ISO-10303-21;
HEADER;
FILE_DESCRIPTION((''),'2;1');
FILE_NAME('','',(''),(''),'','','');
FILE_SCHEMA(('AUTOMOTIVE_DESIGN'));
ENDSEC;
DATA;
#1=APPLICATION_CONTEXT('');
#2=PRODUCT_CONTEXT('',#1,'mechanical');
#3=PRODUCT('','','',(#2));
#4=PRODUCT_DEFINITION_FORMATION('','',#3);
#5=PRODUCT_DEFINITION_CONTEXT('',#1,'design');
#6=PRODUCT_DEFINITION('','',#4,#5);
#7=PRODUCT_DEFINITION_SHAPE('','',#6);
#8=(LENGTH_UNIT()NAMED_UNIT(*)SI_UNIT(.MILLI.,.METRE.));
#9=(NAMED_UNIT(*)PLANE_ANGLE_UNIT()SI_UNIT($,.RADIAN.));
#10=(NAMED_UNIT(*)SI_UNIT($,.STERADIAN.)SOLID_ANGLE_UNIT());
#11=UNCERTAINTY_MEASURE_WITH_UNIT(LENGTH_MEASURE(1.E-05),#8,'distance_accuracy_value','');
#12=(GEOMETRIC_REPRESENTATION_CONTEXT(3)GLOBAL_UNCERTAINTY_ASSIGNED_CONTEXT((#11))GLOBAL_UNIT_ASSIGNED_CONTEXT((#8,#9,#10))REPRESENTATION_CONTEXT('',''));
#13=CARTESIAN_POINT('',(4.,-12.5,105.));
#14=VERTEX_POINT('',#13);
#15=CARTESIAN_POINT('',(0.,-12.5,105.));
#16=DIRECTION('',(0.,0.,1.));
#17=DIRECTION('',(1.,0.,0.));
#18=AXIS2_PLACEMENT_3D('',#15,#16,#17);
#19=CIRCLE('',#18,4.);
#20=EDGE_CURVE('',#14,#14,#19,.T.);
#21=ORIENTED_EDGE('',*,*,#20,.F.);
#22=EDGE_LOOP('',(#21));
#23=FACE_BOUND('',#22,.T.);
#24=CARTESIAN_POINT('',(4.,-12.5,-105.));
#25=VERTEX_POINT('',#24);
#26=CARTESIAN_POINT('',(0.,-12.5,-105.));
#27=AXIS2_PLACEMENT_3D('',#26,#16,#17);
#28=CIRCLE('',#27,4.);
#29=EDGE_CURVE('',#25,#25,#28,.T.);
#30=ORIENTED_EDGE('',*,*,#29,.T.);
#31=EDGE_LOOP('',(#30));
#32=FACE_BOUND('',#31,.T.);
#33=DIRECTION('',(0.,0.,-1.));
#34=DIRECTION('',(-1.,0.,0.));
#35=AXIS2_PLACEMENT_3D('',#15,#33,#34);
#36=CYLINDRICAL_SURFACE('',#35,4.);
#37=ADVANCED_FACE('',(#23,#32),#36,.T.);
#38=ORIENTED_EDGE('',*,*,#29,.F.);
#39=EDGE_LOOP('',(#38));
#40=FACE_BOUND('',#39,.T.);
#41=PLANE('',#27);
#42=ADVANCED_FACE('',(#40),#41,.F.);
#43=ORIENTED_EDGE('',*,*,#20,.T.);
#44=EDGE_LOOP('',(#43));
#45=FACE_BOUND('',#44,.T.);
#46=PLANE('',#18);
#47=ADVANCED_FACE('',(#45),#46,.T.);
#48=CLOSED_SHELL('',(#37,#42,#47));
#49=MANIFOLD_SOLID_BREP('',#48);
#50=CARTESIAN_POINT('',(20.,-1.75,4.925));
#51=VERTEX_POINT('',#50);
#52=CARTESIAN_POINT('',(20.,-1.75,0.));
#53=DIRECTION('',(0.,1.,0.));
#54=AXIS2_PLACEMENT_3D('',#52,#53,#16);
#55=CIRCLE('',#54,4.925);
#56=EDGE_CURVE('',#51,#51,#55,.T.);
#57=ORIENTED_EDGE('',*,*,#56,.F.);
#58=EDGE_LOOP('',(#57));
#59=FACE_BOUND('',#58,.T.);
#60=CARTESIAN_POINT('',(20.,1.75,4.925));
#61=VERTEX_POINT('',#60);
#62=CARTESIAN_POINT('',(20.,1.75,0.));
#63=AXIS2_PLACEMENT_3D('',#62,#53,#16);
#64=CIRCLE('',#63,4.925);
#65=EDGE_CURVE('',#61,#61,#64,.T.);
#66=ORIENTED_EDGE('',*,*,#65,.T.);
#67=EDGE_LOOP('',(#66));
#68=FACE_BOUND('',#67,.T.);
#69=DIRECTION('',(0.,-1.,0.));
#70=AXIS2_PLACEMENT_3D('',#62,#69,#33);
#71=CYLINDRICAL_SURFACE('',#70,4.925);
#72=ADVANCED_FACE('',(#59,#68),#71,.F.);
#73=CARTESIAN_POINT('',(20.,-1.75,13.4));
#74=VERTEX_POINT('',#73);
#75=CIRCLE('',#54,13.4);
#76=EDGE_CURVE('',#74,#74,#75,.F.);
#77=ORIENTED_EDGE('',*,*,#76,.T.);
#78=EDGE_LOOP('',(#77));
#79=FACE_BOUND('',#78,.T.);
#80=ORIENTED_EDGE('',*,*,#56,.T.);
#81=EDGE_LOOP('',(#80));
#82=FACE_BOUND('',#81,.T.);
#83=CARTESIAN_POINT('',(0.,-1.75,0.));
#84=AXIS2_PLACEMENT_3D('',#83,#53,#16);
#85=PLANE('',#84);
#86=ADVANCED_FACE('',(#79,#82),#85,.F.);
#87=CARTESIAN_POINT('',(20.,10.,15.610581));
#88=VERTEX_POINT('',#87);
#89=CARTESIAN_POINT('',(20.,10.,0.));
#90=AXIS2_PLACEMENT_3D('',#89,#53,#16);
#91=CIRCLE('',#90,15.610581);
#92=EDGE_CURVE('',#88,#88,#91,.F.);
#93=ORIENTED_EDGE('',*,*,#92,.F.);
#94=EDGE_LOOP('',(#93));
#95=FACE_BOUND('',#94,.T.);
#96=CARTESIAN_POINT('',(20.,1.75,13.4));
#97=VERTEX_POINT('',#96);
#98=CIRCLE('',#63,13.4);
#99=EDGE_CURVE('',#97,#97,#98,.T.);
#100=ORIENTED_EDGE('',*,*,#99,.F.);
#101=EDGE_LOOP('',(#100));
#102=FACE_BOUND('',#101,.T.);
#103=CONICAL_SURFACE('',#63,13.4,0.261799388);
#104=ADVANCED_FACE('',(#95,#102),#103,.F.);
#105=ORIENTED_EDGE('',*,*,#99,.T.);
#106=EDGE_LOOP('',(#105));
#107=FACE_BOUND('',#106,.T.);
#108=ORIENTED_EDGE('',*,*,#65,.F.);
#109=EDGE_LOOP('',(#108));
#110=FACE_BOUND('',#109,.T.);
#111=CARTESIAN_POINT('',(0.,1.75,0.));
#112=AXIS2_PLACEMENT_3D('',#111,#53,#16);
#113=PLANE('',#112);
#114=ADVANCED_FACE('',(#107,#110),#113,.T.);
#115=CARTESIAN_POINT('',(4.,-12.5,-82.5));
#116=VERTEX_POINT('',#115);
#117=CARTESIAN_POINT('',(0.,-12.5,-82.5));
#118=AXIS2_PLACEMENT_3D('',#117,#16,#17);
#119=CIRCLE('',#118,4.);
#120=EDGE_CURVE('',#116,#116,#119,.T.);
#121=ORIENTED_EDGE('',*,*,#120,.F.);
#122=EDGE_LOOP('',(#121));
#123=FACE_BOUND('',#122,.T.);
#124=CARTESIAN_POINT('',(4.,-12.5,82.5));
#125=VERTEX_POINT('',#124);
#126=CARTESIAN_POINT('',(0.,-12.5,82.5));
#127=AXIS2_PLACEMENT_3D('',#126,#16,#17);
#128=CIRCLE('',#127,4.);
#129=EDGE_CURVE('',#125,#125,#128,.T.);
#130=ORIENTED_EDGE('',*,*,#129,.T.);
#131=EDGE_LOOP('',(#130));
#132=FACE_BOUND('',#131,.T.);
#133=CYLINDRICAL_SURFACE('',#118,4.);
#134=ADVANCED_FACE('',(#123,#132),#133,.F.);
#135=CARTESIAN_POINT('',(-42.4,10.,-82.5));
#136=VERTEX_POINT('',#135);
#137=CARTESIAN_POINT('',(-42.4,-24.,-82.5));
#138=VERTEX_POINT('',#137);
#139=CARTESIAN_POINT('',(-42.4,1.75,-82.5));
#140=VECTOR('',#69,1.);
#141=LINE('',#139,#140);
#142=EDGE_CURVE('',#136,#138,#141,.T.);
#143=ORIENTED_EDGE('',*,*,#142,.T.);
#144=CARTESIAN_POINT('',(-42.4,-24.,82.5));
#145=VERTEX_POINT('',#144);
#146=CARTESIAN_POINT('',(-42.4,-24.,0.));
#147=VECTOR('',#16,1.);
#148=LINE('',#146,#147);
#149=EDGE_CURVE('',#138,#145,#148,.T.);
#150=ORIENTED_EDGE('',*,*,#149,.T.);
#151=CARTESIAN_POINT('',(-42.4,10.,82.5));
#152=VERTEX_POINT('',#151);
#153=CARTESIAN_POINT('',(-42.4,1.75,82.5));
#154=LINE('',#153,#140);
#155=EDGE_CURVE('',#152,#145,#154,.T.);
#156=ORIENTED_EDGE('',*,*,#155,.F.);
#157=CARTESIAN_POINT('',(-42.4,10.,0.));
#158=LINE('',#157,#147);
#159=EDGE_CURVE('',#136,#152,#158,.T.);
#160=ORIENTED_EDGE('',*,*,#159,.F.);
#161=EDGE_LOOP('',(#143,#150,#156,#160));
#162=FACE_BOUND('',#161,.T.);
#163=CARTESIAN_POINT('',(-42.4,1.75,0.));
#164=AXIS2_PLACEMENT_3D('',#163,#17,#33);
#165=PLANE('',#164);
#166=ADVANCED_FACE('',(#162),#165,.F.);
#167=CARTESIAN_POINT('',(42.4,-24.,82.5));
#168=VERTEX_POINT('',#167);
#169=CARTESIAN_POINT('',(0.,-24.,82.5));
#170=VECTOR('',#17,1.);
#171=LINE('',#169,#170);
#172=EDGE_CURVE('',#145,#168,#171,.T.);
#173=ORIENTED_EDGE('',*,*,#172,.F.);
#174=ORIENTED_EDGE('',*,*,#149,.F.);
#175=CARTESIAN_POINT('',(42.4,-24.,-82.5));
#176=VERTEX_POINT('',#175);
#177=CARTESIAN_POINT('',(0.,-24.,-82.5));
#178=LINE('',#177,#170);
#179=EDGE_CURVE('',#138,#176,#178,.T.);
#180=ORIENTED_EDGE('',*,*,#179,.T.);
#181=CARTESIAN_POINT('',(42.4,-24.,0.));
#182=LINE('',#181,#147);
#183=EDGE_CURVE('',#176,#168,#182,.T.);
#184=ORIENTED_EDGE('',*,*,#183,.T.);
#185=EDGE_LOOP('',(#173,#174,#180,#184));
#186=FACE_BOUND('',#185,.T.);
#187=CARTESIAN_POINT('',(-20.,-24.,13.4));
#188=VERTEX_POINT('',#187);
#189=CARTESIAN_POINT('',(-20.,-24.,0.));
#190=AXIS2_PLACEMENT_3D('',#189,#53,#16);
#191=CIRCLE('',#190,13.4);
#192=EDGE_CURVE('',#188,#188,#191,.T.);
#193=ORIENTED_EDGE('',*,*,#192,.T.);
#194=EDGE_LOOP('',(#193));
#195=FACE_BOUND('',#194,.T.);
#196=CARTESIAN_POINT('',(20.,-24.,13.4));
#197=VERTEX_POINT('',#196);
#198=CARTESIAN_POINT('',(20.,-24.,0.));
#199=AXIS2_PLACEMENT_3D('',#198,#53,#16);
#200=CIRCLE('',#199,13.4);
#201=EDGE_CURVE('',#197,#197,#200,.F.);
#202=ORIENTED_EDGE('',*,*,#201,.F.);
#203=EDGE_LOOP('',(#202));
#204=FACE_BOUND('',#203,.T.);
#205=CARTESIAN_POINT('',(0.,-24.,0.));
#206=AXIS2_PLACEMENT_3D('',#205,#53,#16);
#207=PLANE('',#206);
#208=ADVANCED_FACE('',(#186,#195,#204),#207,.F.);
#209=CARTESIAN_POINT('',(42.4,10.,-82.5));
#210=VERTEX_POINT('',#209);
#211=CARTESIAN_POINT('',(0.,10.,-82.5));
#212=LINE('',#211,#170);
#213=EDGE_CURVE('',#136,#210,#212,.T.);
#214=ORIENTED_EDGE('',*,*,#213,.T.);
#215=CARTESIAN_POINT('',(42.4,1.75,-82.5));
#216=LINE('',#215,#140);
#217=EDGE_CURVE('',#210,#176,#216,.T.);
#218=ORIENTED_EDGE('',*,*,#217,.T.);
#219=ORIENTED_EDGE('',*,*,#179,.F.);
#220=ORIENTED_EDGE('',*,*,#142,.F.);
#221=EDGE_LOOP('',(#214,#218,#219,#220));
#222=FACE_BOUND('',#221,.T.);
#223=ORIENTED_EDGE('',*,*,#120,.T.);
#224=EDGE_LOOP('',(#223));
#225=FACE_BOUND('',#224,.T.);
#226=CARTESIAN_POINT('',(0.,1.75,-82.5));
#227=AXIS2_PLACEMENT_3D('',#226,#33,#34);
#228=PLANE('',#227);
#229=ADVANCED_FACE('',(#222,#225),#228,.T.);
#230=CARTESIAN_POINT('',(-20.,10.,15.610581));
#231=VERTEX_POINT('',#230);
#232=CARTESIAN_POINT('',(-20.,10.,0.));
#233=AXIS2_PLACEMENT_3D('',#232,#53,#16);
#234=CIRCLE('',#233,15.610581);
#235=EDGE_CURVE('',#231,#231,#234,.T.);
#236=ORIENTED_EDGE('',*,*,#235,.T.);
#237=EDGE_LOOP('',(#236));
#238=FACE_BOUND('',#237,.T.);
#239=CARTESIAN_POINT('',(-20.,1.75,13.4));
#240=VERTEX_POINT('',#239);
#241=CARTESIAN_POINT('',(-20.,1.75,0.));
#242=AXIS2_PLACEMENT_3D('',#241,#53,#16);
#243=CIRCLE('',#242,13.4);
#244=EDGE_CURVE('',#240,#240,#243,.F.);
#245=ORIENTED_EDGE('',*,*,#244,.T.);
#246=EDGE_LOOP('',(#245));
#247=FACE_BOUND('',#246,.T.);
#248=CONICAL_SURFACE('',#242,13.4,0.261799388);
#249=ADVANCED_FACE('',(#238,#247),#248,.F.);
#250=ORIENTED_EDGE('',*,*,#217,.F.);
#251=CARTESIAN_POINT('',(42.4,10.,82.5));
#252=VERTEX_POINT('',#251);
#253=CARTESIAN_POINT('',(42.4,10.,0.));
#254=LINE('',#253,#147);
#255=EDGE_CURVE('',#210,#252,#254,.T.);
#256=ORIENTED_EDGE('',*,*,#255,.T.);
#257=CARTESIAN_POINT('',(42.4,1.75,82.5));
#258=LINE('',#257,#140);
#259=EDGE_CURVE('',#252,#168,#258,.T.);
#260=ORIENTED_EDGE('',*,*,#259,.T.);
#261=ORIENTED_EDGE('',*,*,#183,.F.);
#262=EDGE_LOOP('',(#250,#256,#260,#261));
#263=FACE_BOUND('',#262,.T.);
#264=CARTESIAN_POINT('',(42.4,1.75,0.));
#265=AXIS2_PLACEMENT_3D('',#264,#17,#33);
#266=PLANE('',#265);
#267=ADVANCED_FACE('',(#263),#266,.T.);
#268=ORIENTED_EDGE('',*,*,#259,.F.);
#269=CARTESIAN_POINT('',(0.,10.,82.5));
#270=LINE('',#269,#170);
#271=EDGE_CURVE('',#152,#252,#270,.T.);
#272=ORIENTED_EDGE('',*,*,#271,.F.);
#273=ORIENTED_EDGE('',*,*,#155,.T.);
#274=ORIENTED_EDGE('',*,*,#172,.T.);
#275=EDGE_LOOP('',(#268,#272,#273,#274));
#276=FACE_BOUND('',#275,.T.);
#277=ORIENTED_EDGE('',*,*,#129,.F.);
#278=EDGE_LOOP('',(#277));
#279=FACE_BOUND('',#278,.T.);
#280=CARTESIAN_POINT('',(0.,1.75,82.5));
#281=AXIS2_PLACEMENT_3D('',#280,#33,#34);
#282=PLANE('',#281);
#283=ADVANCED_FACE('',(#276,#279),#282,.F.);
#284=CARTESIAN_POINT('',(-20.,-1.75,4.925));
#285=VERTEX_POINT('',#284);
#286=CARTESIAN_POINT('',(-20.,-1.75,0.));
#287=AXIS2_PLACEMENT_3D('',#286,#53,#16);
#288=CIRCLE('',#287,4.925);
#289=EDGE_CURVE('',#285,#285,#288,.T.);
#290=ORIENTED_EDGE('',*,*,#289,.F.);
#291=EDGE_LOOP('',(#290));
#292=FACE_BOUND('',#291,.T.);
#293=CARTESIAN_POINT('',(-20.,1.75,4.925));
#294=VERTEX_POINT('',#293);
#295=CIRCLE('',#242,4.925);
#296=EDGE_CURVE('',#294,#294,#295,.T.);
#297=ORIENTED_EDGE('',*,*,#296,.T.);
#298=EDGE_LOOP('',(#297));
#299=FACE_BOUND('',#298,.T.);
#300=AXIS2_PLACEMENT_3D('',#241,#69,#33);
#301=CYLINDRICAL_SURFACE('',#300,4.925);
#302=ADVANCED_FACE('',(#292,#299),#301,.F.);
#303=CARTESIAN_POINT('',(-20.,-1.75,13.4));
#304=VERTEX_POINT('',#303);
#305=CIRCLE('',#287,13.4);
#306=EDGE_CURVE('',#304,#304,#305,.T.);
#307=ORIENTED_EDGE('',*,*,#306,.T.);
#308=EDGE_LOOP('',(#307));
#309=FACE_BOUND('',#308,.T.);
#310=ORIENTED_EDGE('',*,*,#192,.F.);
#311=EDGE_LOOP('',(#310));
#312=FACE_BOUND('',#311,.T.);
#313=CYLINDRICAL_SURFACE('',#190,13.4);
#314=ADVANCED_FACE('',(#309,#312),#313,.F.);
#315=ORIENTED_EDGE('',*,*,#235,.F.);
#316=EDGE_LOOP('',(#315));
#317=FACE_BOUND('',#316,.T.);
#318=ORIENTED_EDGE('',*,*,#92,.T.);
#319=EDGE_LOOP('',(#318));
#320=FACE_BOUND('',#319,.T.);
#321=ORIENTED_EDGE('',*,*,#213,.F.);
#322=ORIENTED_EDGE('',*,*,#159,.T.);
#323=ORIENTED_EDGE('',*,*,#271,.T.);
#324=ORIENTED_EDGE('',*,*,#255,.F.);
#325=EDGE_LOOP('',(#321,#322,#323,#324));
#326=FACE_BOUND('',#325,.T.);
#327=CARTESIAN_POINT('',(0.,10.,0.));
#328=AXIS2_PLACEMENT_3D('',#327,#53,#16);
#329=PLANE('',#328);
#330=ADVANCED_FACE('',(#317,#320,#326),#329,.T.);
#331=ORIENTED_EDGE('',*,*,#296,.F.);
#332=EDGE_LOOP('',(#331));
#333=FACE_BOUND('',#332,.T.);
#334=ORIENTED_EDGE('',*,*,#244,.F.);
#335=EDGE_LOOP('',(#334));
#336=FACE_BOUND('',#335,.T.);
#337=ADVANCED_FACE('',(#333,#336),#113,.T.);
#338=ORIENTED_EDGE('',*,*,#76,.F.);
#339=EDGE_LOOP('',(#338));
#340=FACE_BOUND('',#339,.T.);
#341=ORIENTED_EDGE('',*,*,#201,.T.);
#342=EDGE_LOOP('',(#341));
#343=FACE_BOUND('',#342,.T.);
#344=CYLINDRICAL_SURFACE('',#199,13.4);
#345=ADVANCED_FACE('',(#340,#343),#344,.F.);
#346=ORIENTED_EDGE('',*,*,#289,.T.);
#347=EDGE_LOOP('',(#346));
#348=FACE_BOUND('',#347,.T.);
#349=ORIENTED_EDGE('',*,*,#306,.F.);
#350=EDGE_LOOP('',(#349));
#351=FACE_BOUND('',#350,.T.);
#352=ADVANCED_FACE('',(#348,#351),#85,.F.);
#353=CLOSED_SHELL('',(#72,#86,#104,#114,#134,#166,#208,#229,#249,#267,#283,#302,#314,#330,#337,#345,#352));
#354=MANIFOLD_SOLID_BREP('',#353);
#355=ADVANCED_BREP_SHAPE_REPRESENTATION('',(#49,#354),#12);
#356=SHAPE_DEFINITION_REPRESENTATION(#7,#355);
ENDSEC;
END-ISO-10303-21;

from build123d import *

# Parameters (mm, degrees)
SKETCH1_W               = 84.8
SKETCH1_H               = 165
SKETCH1_R               = 4.925
BOSS_EXTRUDE1_DEPTH     = 1.75
SKETCH1_3_W             = 84.8
SKETCH1_3_H             = 165
SKETCH1_3_R             = 13.4
BOSS_EXTRUDE2_DEPTH     = 10
BOSS_EXTRUDE3_START     = -24
SKETCH1_4_W             = 84.8
SKETCH1_4_H             = 165
SKETCH1_4_R             = 13.4
BOSS_EXTRUDE3_DEPTH     = 24
DRAFT1_ANGLE            = 15
CUT_EXTRUDE1_DEPTH      = 96.812368721
CUT_EXTRUDE1_DEPTH_BACK = 96.812368721
SKETCH5_R               = 4
SKETCH5_2_R             = 4
BOSS_EXTRUDE4_DEPTH     = 105


with BuildPart() as part:
    # Sketch1 → Boss-Extrude1 (new, symmetric)
    with BuildSketch(Plane(origin=(0, 0, 0), x_dir=(1, 0, 0), z_dir=(0, 1, 0))):
        Rectangle(SKETCH1_W, SKETCH1_H)
        with Locations((-20, 0)):
            Circle(SKETCH1_R, mode=Mode.SUBTRACT)
        with Locations((20, 0)):
            Circle(SKETCH1_R, mode=Mode.SUBTRACT)
    extrude(amount=BOSS_EXTRUDE1_DEPTH, both=True)

    # Sketch1<3> → Boss-Extrude2 (add)
    with BuildSketch(Plane(origin=(0, 0, 0), x_dir=(1, 0, 0), z_dir=(0, 1, 0))):
        Rectangle(SKETCH1_3_W, SKETCH1_3_H)
        with Locations((-20, 0)):
            Circle(SKETCH1_3_R, mode=Mode.SUBTRACT)
        with Locations((20, 0)):
            Circle(SKETCH1_3_R, mode=Mode.SUBTRACT)
    extrude(amount=BOSS_EXTRUDE2_DEPTH)

    # Sketch1<4> → Boss-Extrude3 (add)
    with BuildSketch(Plane(origin=(0, 0, 0), x_dir=(1, 0, 0), z_dir=(0, 1, 0)).offset(BOSS_EXTRUDE3_START)):
        Rectangle(SKETCH1_4_W, SKETCH1_4_H)
        with Locations((-20, 0)):
            Circle(SKETCH1_4_R, mode=Mode.SUBTRACT)
        with Locations((20, 0)):
            Circle(SKETCH1_4_R, mode=Mode.SUBTRACT)
    extrude(amount=BOSS_EXTRUDE3_DEPTH)

    # Draft1
    draft1_faces = [part.faces().sort_by_distance(p)[0] for p in [
        (-33.4, 5.875, 0),
        (6.6, 5.875, 0),
    ]]
    draft(draft1_faces, Plane.ZX.offset(1.75), DRAFT1_ANGLE)

    # Sketch5 → Cut-Extrude1 (cut, two sides: drawn at the far end of the back side and taken through both)
    with BuildSketch(Plane.XY.offset(-CUT_EXTRUDE1_DEPTH_BACK)):
        with Locations((0, -12.5)):
            Circle(SKETCH5_R)
    extrude(amount=CUT_EXTRUDE1_DEPTH + CUT_EXTRUDE1_DEPTH_BACK, mode=Mode.SUBTRACT)


with BuildPart() as body_2:
    # Sketch5<2> → Boss-Extrude4 (new, symmetric)
    with BuildSketch(Plane.XY):
        with Locations((0, -12.5)):
            Circle(SKETCH5_2_R)
    extrude(amount=BOSS_EXTRUDE4_DEPTH, both=True)


solid = Compound([part.part, body_2.part])
